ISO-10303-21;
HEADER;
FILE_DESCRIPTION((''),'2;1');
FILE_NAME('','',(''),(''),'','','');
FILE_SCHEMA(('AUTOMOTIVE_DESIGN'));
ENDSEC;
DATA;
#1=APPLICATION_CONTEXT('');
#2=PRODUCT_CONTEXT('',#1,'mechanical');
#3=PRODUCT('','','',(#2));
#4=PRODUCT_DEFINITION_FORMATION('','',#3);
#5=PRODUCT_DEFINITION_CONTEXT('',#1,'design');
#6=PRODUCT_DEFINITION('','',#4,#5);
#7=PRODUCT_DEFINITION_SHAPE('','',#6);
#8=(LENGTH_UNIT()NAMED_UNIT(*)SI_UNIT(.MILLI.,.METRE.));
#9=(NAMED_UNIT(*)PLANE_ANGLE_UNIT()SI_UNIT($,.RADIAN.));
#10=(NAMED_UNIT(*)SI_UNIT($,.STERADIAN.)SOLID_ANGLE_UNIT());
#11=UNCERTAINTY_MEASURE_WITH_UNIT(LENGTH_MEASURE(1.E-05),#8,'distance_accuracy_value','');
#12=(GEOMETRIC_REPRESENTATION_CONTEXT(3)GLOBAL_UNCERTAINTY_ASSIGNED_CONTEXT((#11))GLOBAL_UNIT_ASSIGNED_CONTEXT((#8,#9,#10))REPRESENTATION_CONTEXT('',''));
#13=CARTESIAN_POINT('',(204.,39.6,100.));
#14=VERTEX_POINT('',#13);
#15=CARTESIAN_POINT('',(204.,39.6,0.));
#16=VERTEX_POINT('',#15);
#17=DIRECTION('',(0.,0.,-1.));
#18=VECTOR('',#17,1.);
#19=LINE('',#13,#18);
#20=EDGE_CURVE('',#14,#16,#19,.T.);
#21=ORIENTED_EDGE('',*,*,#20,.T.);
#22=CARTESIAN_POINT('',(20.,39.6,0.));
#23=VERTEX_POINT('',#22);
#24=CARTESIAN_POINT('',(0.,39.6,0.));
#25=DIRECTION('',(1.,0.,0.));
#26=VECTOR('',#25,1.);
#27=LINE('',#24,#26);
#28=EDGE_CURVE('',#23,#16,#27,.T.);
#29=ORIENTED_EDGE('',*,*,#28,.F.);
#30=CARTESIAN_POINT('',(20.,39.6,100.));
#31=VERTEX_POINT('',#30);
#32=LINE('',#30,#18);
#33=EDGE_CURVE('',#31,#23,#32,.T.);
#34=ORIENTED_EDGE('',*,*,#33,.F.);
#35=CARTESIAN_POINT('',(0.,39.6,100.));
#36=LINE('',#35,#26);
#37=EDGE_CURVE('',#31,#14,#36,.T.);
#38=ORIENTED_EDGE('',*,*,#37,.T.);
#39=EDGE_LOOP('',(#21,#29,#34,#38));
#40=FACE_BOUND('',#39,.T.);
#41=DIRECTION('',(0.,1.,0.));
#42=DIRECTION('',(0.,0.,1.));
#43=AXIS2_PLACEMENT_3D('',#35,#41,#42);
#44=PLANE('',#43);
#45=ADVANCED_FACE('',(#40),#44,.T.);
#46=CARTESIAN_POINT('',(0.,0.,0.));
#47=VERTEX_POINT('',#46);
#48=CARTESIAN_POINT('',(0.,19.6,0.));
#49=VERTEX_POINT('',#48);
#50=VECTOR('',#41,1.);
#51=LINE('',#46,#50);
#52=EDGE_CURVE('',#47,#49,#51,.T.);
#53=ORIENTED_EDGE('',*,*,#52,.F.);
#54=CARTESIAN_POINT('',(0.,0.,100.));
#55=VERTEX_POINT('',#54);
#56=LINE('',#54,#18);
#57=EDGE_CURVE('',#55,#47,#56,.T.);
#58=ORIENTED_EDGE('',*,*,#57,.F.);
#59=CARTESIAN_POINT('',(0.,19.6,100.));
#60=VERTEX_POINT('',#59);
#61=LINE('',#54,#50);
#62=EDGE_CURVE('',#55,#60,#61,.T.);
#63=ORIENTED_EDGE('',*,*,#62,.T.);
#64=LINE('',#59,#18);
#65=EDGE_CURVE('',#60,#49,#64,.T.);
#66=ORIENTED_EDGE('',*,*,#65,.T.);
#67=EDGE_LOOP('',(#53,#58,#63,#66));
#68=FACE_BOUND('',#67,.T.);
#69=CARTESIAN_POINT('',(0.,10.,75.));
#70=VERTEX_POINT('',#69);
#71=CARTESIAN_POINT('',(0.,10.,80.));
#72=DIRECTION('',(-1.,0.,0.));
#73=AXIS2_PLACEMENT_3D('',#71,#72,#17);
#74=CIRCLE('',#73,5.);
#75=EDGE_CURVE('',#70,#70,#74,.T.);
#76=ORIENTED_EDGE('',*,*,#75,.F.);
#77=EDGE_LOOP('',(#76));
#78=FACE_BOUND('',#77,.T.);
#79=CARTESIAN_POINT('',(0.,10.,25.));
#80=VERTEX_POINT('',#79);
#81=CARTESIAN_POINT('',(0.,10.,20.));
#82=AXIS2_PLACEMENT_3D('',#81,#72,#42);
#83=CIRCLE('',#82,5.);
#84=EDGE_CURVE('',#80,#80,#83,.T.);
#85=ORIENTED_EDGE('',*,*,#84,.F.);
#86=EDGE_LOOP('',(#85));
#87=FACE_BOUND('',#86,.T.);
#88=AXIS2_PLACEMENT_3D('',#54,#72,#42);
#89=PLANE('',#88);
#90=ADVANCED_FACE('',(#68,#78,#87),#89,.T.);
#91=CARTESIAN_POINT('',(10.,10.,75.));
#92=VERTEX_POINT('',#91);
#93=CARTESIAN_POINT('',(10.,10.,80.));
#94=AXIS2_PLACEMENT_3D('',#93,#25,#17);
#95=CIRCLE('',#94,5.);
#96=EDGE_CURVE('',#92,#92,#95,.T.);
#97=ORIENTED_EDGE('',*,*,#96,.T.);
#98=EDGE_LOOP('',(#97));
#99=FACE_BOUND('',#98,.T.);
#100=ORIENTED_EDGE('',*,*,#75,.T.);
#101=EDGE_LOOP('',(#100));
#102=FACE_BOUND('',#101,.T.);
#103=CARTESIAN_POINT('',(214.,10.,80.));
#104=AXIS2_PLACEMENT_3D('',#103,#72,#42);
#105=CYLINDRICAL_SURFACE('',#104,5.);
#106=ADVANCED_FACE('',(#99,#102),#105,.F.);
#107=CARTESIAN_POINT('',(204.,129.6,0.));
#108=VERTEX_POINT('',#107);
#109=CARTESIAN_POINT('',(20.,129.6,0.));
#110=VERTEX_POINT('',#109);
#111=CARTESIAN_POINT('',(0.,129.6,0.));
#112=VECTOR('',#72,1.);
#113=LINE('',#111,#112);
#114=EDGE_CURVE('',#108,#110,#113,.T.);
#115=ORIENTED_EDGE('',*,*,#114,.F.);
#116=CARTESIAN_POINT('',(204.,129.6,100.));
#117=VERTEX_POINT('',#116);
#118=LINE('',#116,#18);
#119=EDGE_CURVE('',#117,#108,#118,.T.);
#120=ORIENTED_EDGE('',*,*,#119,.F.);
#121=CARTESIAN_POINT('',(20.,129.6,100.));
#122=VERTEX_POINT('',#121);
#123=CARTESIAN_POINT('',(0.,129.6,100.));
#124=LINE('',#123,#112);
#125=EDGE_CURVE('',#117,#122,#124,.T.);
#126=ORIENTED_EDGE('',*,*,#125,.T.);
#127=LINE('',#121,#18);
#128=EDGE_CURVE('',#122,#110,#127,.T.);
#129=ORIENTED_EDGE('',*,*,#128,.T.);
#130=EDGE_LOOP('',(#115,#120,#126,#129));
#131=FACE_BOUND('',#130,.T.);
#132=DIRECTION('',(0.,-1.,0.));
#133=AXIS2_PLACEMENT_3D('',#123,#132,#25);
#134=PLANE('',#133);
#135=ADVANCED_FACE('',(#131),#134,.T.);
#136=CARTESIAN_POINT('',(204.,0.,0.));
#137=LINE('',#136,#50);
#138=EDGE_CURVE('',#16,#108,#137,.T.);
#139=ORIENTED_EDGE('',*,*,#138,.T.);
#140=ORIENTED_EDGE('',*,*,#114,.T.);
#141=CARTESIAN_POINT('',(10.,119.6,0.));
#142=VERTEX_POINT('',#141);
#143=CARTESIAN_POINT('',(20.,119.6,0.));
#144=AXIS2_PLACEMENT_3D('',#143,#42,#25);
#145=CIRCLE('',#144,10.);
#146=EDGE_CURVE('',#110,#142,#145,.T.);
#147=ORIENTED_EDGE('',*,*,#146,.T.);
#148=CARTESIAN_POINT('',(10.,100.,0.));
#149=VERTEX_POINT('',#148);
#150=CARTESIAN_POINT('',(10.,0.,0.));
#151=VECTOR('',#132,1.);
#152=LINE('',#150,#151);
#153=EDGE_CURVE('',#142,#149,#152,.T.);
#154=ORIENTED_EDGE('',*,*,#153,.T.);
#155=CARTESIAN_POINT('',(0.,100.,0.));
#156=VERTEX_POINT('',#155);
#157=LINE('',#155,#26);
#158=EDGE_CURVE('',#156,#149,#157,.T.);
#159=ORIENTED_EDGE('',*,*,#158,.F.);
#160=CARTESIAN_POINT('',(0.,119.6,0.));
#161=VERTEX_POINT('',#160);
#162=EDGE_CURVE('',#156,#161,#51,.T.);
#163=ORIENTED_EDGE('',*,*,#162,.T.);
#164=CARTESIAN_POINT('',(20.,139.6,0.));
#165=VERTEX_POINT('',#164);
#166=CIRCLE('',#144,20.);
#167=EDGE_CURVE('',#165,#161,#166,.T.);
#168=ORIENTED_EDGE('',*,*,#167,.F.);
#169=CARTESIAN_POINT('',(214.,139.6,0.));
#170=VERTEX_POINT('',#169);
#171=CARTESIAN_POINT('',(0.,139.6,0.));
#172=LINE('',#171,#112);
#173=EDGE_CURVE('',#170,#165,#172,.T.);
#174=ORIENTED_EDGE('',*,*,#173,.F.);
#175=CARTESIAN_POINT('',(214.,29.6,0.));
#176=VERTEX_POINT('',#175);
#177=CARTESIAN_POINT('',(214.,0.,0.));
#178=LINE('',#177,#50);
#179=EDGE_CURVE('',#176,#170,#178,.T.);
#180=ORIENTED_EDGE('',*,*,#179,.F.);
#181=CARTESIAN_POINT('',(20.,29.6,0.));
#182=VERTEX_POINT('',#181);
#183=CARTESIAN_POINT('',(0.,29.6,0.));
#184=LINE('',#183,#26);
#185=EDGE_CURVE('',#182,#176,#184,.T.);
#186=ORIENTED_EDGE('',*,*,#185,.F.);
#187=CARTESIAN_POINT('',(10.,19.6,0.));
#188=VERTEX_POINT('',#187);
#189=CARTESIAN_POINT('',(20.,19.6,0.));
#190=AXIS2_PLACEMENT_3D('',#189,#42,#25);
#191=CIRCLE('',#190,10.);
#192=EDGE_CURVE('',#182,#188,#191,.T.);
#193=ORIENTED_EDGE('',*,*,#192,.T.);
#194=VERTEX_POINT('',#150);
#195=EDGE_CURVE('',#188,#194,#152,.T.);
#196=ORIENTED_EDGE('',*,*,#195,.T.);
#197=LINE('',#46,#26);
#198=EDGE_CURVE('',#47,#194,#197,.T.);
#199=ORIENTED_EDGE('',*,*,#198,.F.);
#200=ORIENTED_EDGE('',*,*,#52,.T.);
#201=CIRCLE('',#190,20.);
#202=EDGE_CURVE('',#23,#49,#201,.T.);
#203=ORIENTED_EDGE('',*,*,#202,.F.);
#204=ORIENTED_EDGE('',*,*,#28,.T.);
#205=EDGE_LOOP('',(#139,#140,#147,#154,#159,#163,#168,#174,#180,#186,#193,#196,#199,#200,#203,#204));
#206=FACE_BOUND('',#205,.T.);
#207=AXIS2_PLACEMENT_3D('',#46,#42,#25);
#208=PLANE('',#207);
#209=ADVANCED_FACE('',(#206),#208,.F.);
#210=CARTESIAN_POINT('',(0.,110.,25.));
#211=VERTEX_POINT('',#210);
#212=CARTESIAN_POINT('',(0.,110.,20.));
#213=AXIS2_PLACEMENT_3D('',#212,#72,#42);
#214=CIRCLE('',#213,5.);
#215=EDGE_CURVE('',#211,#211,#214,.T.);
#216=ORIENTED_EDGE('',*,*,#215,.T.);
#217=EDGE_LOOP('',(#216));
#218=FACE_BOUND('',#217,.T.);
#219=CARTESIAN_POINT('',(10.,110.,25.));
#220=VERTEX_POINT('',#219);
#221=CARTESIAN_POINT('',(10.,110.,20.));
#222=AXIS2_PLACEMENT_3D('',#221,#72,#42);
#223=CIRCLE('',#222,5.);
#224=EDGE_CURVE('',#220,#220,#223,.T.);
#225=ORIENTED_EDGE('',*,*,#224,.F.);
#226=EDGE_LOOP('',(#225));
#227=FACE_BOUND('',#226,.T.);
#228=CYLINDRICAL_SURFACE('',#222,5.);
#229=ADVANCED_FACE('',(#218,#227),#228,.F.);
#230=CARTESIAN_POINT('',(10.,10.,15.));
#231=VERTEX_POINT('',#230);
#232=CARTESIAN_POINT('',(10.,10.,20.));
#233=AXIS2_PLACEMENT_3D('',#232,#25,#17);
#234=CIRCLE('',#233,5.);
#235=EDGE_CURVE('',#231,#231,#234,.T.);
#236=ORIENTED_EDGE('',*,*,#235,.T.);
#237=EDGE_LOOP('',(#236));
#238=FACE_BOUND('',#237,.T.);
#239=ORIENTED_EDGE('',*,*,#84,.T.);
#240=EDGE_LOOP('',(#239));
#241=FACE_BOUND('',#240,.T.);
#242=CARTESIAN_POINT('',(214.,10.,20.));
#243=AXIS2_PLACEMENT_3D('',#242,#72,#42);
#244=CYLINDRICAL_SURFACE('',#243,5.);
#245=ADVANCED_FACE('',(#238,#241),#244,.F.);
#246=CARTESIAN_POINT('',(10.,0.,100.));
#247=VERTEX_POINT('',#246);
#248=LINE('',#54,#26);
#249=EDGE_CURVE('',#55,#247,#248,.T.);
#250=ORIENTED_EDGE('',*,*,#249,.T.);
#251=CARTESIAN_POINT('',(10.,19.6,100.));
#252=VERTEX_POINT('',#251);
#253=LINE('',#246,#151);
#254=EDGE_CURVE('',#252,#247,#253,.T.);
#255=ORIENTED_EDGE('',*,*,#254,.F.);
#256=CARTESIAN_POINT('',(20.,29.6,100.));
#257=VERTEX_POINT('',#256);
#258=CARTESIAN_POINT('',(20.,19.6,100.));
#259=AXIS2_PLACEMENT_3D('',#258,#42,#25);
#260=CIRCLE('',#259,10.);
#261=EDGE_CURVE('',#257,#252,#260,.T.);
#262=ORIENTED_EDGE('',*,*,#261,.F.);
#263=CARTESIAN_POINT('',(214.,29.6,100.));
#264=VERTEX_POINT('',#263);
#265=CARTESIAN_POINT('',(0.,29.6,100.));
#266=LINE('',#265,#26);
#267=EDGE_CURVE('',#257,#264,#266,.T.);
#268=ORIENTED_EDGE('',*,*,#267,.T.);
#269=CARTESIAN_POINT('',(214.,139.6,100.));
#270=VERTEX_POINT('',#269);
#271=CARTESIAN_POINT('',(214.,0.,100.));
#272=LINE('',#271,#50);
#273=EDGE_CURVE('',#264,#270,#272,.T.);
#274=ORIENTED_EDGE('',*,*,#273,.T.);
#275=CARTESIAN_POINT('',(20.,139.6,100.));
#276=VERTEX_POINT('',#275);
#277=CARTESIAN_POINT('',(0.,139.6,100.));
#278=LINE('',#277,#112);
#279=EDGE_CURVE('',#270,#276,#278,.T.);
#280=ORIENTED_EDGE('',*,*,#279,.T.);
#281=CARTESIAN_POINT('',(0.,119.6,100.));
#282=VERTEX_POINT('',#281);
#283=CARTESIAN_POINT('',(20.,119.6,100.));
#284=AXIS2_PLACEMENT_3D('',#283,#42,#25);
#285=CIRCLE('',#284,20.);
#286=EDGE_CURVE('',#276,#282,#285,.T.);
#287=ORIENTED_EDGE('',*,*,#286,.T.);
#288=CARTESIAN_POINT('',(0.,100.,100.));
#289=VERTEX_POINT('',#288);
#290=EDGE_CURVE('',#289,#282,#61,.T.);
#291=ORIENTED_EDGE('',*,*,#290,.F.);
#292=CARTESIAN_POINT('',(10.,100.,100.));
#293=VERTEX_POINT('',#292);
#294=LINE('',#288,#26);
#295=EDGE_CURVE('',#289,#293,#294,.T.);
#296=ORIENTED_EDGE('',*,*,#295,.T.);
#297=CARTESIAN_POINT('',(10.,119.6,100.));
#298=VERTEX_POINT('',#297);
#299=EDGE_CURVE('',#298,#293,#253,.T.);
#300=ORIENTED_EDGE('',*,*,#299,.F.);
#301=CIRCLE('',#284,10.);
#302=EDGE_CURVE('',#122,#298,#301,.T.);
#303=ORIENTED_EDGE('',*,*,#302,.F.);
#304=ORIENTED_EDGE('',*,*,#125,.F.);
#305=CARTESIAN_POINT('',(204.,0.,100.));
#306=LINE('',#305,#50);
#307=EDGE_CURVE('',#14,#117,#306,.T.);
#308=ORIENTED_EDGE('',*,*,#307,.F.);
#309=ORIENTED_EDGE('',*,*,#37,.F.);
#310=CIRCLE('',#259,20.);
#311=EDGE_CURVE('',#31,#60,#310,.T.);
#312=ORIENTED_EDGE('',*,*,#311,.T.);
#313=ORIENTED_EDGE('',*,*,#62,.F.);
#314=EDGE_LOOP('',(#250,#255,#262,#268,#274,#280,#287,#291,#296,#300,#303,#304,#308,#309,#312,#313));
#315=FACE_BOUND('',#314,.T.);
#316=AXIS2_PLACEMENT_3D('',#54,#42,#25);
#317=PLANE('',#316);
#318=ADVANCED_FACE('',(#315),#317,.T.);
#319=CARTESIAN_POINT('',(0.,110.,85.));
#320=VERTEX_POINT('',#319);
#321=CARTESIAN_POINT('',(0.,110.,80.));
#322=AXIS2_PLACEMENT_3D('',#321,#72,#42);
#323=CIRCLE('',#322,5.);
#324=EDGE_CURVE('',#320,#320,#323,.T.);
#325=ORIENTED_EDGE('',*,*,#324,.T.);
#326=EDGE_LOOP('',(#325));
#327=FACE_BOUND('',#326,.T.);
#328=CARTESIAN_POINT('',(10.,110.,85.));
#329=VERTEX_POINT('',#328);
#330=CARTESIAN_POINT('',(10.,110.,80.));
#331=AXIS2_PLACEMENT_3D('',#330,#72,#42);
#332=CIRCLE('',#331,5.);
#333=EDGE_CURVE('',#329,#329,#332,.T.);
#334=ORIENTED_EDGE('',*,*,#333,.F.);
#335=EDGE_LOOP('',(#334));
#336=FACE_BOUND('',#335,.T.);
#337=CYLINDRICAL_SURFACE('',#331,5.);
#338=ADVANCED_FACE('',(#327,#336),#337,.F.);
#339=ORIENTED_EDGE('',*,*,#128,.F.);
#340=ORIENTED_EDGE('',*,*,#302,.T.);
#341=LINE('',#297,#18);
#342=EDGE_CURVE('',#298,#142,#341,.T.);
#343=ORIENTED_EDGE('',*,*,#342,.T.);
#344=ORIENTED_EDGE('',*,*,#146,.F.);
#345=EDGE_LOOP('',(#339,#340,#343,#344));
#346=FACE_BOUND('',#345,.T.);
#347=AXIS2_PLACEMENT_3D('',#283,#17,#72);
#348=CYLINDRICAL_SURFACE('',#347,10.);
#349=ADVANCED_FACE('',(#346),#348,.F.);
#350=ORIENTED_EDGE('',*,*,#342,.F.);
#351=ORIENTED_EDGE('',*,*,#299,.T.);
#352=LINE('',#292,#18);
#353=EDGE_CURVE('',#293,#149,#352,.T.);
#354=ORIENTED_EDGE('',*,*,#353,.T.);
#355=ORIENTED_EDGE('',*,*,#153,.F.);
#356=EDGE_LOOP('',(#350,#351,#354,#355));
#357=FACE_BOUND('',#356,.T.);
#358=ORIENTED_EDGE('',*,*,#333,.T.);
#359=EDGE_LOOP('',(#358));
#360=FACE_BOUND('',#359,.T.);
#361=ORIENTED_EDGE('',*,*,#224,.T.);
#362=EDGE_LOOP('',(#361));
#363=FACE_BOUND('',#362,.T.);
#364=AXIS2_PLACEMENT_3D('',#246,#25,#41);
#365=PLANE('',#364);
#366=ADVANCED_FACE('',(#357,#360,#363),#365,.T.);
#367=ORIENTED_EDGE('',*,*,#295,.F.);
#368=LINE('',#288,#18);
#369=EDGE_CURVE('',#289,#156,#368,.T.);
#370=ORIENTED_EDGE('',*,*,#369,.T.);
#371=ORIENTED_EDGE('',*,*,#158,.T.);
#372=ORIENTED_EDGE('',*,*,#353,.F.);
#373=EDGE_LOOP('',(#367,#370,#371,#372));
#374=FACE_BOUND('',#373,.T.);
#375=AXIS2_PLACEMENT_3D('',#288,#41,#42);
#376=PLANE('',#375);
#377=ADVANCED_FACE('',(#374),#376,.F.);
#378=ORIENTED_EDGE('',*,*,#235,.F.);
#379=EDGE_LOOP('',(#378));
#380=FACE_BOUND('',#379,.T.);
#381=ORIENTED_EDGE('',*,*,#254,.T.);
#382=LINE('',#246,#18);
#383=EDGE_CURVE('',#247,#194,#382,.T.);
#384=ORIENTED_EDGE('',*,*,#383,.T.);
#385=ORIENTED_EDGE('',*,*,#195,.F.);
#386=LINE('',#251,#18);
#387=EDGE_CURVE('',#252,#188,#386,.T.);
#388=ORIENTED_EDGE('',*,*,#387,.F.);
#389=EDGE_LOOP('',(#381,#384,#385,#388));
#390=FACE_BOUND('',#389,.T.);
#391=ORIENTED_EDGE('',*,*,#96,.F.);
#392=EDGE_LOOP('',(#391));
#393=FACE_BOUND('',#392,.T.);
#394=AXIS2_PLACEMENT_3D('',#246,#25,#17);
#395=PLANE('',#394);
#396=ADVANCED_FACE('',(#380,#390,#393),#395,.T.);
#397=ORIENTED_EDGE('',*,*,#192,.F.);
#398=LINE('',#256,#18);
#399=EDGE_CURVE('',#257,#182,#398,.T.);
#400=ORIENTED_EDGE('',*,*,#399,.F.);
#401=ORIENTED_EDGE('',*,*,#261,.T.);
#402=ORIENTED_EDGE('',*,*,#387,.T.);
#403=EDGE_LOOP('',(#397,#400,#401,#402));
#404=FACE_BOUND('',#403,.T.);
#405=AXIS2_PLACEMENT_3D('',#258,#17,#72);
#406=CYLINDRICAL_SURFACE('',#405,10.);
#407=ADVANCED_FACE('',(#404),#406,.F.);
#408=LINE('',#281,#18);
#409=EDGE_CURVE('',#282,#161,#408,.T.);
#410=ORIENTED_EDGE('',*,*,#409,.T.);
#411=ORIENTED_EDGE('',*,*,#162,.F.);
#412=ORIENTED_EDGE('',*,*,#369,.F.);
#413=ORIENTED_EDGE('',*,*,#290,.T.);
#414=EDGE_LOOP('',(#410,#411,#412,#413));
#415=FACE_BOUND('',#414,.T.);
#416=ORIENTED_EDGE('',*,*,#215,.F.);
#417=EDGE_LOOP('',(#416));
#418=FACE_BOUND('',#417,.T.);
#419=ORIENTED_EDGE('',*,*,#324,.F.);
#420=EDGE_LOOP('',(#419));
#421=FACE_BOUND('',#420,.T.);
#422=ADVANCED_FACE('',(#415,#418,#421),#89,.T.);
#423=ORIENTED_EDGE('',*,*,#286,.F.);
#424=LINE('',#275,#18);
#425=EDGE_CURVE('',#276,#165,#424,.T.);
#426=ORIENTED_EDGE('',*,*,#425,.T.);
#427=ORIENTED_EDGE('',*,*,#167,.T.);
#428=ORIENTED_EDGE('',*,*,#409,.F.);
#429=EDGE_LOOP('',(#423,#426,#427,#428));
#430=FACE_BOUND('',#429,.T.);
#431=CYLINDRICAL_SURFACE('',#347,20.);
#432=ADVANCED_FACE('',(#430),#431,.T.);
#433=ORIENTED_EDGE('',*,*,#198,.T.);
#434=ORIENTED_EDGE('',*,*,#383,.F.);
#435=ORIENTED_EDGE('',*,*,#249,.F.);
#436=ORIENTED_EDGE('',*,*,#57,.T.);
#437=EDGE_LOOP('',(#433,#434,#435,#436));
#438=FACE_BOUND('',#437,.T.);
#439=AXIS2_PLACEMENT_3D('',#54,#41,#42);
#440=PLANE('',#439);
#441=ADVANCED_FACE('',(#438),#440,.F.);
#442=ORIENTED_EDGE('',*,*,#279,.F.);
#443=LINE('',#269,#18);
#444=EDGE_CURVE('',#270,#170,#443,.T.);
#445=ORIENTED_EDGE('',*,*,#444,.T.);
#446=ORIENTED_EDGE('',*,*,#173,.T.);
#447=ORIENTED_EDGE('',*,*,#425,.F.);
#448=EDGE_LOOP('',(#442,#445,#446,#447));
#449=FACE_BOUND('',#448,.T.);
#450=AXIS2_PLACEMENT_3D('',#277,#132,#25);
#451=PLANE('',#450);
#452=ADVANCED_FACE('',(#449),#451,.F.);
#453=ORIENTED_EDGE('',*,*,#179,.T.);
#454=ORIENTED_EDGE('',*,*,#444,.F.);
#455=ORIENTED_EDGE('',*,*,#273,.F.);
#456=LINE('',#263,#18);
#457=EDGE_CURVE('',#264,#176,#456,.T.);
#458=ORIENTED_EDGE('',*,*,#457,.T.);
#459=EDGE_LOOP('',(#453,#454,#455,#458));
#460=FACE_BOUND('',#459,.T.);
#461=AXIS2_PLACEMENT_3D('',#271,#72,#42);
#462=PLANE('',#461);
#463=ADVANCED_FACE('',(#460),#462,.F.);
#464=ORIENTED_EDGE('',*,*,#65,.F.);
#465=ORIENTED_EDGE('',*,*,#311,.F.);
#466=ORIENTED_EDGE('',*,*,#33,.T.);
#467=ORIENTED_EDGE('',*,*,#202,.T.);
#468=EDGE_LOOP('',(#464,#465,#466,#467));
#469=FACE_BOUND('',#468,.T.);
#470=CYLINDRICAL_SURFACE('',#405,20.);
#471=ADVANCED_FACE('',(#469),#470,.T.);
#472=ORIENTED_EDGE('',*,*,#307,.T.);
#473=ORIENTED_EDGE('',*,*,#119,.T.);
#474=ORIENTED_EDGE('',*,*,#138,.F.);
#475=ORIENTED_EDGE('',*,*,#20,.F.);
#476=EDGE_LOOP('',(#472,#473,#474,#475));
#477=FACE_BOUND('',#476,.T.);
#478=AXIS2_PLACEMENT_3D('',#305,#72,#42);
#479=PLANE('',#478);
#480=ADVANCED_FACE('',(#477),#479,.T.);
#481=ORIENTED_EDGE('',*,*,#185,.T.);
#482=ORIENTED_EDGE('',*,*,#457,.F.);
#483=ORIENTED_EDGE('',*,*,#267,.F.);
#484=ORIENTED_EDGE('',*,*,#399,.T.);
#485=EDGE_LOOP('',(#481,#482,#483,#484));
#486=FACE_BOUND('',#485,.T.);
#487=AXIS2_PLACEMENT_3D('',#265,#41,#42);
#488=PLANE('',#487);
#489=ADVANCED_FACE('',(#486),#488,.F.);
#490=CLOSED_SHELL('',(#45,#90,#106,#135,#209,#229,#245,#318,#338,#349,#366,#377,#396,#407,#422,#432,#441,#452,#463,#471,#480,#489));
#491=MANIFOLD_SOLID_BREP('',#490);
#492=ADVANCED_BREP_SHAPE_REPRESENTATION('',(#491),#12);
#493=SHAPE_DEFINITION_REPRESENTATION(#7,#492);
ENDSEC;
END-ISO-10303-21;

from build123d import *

# Parameters (mm, degrees)
BOSS_EXTRUDE2_DEPTH = 100
SKETCH2_R           = 5
CUT_EXTRUDE1_DEPTH  = 275.379591078
SKETCH3_R           = 5
CUT_EXTRUDE2_DEPTH  = 10


with BuildPart() as part:
    # Sketch1 → Boss-Extrude2 (new body)
    with BuildSketch(Plane.XY):
        with BuildLine():
            Line((0, 0), (0, 19.6))
            ThreePointArc((0, 19.6), (5.857864376, 33.742135624), (20, 39.6))
            Line((20, 39.6), (204, 39.6))
            Line((204, 39.6), (204, 129.6))
            Line((204, 129.6), (20, 129.6))
            ThreePointArc((20, 129.6), (12.928932188, 126.671067812), (10, 119.6))
            Line((10, 119.6), (10, 100))
            Line((10, 100), (0, 100))
            Line((0, 100), (0, 119.6))
            ThreePointArc((0, 119.6), (5.857864376, 133.742135624), (20, 139.6))
            Line((20, 139.6), (214, 139.6))
            Line((214, 139.6), (214, 29.6))
            Line((214, 29.6), (20, 29.6))
            ThreePointArc((20, 29.6), (12.928932188, 26.671067812), (10, 19.6))
            Line((10, 19.6), (10, 0))
            Line((10, 0), (0, 0))
        make_face()
    extrude(amount=BOSS_EXTRUDE2_DEPTH)

    # Sketch2 → Cut-Extrude1 (cut, through all)
    with BuildSketch(Plane.ZY):
        with Locations((20, 10)):
            Circle(SKETCH2_R)
        with Locations(Location((80, 10, 0), (0, 0, 180))):
            Circle(SKETCH2_R)
    extrude(amount=-CUT_EXTRUDE1_DEPTH, mode=Mode.SUBTRACT)

    # Sketch3 → Cut-Extrude2 (cut)
    with BuildSketch(Plane.ZY):
        with Locations((20, 110)):
            Circle(SKETCH3_R)
        with Locations((80, 110)):
            Circle(SKETCH3_R)
    extrude(amount=-CUT_EXTRUDE2_DEPTH, mode=Mode.SUBTRACT)


solid = part.part
